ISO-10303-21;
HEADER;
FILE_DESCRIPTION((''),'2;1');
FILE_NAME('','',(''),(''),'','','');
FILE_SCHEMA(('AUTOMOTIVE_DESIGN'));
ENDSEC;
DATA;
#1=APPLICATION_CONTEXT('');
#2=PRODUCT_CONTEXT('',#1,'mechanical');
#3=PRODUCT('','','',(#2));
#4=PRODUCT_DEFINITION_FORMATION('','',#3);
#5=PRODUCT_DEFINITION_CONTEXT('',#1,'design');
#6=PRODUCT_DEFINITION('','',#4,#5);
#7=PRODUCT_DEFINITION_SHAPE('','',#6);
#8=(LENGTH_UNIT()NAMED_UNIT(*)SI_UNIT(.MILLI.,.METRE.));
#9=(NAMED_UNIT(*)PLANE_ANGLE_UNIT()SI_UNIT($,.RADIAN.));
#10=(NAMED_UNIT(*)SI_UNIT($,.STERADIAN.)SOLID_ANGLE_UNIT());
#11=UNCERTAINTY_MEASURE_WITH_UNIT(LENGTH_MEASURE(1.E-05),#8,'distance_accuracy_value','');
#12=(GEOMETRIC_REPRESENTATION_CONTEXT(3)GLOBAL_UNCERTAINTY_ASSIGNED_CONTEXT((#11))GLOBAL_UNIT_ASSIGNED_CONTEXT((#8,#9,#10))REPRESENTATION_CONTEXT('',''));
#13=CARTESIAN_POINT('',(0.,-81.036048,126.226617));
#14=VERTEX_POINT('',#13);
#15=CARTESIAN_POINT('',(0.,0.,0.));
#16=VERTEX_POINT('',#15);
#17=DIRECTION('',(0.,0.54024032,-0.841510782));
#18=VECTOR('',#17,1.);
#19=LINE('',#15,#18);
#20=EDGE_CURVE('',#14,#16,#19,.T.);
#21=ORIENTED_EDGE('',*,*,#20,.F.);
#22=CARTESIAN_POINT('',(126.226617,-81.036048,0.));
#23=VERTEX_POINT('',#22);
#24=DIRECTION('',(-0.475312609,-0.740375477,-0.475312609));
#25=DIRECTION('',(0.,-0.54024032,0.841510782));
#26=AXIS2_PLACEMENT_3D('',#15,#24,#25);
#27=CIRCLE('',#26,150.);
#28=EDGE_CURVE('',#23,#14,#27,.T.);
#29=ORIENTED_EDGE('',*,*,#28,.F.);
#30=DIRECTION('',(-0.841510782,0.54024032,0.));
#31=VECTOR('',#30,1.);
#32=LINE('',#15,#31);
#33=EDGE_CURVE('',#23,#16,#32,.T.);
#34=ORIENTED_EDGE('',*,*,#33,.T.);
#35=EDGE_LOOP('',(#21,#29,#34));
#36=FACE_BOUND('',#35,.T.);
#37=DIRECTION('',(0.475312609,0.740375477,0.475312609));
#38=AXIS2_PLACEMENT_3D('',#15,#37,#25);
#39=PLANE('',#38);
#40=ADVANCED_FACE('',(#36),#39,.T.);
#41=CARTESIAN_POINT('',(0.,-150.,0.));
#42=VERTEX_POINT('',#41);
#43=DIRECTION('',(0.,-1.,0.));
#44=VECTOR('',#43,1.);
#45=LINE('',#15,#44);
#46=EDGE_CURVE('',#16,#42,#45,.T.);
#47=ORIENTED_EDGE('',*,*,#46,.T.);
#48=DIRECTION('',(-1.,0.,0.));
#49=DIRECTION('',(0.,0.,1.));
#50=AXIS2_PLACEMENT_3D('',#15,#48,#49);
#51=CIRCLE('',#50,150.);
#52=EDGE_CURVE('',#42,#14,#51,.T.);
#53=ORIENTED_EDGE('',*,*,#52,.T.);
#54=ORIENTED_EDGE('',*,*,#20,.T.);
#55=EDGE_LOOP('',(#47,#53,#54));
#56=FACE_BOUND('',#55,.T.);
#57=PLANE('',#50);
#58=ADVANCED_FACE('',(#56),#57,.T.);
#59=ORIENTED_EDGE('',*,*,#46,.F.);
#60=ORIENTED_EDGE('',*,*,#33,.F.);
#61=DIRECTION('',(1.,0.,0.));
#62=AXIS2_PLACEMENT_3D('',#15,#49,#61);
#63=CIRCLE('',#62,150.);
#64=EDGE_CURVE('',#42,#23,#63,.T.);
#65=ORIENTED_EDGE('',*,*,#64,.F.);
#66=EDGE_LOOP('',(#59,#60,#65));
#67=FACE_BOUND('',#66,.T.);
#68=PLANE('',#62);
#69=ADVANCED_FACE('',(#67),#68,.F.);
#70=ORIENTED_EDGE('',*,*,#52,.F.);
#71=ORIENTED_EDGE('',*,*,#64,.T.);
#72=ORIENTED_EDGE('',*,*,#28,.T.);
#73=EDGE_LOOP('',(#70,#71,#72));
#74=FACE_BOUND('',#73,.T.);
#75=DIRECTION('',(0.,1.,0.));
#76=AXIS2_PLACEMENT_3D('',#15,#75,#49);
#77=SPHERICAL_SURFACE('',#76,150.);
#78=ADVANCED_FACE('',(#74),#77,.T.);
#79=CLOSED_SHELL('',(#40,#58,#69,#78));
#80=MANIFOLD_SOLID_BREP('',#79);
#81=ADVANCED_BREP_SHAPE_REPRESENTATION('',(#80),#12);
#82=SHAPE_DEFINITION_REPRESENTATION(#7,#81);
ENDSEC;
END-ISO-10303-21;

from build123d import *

# Parameters (mm, degrees)
REVOLVE_2_ANGLE     = 90
CUT_EXTRUDE_2_DEPTH = 234.165859049


with BuildPart() as part:
    # 草图1 → 旋转2 (revolve)
    with BuildSketch(Plane.XY):
        with BuildLine():
            Line((0, 0), (0, -150))
            ThreePointArc((0, -150), (71.918679038, -131.634735558), (126.226617292, -81.036048072))
            Line((126.226617292, -81.036048072), (0, 0))
        make_face()
    revolve(axis=Axis((0, 0, 0), (0, -1, 0)), revolution_arc=REVOLVE_2_ANGLE)

    # 草图3 → 切除-拉伸2 (cut, through all)
    with BuildSketch(Plane(origin=(0, 0, 0), x_dir=(-0.8798169831257074, 0.39998068520537344, 0.2567830361729893), z_dir=(-0.4753126089255142, -0.7403754774388752, -0.4753126089255143))):
        with BuildLine():
            Line((0, -150), (0, 0))
            Line((0, 0), (-143.46917565, -43.77894058))
            ThreePointArc((-143.46917565, -43.77894058), (-89.255697053, -120.554637171), (0, -150))
        make_face()
    extrude(amount=-CUT_EXTRUDE_2_DEPTH, mode=Mode.SUBTRACT)


solid = part.part
